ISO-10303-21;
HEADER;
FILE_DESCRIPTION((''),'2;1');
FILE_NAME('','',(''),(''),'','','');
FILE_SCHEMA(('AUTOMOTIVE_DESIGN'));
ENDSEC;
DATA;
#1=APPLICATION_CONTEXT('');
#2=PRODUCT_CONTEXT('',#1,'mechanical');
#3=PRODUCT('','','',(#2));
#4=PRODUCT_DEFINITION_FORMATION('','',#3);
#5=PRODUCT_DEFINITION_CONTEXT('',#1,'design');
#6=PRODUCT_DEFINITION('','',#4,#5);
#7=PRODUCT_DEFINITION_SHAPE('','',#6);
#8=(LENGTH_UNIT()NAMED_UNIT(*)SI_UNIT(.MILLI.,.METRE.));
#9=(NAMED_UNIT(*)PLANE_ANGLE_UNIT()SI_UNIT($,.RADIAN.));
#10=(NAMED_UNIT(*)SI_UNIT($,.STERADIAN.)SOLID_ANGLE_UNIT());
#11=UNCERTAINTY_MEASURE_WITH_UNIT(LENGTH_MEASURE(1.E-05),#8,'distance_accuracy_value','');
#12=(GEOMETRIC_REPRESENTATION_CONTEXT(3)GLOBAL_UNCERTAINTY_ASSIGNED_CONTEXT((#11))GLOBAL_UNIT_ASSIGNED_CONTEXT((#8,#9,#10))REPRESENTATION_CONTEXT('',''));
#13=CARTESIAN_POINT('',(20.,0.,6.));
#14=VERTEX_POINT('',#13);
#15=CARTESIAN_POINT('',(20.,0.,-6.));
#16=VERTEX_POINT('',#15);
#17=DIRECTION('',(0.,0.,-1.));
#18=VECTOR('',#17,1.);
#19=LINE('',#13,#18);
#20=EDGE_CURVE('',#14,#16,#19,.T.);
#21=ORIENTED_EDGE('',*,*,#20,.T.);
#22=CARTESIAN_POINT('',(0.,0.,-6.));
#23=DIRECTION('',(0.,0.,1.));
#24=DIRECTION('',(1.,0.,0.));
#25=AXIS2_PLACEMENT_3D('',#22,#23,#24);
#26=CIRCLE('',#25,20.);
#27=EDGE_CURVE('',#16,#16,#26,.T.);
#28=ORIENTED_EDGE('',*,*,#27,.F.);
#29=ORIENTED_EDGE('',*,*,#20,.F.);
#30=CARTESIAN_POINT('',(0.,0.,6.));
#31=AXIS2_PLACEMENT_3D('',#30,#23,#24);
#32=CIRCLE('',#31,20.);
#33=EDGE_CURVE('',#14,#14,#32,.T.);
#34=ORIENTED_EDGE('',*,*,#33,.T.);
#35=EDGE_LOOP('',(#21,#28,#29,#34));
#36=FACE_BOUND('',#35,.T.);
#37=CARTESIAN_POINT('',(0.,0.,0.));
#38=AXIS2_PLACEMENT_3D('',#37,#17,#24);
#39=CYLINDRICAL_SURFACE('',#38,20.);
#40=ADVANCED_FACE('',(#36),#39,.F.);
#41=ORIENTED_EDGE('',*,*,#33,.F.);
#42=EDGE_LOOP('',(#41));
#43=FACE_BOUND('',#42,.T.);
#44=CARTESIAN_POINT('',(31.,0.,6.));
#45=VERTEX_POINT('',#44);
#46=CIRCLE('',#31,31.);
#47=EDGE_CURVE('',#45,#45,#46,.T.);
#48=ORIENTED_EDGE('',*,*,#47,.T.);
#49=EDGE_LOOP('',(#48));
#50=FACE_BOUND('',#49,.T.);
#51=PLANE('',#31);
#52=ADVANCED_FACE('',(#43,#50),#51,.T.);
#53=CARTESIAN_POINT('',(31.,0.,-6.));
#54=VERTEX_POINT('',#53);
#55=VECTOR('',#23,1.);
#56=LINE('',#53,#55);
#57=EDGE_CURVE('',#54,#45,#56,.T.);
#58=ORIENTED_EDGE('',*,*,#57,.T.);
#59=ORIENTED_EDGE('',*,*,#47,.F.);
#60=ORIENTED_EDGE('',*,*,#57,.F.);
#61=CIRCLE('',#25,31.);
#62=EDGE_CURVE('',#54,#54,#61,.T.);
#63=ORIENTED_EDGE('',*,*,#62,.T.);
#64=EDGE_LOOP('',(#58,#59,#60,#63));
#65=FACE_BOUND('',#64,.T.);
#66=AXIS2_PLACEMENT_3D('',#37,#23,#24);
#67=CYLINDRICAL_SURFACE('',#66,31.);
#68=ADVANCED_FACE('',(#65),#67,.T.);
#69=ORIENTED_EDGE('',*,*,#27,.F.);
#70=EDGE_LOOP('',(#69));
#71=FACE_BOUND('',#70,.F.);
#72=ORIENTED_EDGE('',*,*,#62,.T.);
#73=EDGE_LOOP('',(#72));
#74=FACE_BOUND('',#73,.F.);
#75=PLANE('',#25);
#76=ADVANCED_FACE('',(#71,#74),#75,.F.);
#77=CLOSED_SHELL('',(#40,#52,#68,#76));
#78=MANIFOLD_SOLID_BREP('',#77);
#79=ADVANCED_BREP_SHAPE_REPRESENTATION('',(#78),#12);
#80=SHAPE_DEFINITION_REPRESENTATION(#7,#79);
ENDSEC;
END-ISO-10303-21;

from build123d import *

# Parameters (mm, degrees)
SKETCH_R   = 31
SKETCH_R_2 = 20
PAD_DEPTH  = 6


with BuildPart() as part:
    # Sketch → Pad (new body, symmetric)
    with BuildSketch(Plane.XY):
        Circle(SKETCH_R)
        Circle(SKETCH_R_2, mode=Mode.SUBTRACT)
    extrude(amount=PAD_DEPTH, both=True)


solid = part.part
